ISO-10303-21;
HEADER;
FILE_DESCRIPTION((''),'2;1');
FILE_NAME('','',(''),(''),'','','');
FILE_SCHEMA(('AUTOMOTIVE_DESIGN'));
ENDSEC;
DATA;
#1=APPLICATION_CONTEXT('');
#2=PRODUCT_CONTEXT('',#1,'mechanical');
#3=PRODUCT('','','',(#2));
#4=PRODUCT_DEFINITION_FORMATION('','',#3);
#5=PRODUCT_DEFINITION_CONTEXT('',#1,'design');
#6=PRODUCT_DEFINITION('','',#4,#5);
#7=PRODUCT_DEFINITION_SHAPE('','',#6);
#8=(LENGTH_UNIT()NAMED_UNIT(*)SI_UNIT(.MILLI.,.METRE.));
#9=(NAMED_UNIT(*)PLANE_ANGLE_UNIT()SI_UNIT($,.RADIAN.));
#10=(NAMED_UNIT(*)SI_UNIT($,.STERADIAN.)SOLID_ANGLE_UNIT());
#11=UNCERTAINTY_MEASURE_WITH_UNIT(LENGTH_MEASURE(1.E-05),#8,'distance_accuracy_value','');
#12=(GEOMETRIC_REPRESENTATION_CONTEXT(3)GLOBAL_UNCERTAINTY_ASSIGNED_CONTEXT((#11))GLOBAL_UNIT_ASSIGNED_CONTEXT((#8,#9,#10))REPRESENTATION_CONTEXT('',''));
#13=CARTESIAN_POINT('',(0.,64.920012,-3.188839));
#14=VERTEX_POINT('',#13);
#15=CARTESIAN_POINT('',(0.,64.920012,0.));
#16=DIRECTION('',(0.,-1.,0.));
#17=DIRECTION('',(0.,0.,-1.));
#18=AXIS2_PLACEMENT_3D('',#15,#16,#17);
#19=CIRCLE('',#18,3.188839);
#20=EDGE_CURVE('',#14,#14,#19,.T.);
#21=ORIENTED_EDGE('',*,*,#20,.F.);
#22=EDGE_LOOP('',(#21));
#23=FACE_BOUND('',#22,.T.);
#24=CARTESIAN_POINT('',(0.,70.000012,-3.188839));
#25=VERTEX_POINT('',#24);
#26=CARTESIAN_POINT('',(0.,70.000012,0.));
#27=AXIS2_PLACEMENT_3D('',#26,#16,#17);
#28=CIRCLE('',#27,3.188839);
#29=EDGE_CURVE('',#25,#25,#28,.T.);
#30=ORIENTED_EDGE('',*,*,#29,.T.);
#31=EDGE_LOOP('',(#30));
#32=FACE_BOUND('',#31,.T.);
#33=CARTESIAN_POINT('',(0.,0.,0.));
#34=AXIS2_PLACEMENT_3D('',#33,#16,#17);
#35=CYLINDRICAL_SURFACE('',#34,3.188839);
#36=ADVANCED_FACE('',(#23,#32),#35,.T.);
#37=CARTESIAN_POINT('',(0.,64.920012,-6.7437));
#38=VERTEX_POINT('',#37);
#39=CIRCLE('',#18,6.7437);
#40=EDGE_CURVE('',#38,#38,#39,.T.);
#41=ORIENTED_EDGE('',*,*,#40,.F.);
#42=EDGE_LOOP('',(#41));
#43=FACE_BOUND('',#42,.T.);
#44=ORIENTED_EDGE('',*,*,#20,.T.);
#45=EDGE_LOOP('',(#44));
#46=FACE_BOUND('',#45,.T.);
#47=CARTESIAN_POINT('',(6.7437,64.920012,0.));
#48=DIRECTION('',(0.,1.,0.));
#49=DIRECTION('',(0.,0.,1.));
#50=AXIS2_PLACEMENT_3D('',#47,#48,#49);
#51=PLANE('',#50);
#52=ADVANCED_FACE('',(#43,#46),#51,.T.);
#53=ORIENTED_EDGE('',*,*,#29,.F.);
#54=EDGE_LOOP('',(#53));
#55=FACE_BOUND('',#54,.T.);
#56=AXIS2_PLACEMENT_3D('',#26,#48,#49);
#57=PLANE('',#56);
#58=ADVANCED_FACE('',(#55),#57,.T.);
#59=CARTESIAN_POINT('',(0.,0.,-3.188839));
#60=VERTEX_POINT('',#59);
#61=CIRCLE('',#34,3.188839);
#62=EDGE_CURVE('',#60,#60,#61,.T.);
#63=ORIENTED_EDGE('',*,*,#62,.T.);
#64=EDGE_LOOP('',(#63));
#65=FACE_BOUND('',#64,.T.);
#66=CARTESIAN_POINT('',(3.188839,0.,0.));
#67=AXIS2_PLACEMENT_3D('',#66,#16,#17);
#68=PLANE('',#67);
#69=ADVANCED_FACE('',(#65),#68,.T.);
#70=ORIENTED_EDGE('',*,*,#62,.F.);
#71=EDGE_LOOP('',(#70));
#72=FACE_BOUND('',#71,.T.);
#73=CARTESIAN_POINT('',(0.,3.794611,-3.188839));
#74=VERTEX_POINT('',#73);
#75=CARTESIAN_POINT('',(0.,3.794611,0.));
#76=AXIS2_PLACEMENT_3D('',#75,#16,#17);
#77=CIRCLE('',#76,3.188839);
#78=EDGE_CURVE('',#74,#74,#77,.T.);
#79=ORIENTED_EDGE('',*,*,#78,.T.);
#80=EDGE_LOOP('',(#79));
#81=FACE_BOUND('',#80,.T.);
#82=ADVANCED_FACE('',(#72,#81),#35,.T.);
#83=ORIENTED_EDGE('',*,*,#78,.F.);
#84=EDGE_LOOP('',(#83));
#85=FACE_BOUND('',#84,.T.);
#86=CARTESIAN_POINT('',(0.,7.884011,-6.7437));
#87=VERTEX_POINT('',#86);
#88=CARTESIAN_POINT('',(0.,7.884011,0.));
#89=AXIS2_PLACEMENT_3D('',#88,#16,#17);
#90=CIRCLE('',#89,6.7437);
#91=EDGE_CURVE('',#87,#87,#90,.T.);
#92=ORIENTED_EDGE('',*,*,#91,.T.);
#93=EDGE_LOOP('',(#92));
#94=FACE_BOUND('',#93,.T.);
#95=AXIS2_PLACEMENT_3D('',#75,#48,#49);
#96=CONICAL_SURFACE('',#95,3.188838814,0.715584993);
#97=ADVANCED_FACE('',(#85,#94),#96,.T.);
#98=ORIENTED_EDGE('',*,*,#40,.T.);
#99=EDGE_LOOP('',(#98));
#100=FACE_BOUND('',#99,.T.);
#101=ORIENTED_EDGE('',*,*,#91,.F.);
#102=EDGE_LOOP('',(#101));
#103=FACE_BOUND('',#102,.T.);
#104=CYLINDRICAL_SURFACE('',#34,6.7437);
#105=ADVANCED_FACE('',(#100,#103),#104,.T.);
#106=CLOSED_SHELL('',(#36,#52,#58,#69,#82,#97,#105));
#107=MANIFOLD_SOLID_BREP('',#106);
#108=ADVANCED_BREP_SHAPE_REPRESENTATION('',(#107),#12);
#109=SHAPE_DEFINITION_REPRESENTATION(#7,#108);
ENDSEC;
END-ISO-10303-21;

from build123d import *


with BuildPart() as part:
    # Sketch1 → Revolve1 (revolve)
    with BuildSketch(Plane.XY):
        Polygon((0, 0), (0, 70.0000124), (3.188838814, 70.0000124), (3.188838814, 69.0094124), (3.188838814, 64.9200124), (6.7437, 64.9200124), (6.7437, 7.884011277), (3.188838814, 3.794611277), (3.188838814, 0), align=None)
    revolve(axis=Axis((0, 0, 0), (0, 1, 0)))


solid = part.part
